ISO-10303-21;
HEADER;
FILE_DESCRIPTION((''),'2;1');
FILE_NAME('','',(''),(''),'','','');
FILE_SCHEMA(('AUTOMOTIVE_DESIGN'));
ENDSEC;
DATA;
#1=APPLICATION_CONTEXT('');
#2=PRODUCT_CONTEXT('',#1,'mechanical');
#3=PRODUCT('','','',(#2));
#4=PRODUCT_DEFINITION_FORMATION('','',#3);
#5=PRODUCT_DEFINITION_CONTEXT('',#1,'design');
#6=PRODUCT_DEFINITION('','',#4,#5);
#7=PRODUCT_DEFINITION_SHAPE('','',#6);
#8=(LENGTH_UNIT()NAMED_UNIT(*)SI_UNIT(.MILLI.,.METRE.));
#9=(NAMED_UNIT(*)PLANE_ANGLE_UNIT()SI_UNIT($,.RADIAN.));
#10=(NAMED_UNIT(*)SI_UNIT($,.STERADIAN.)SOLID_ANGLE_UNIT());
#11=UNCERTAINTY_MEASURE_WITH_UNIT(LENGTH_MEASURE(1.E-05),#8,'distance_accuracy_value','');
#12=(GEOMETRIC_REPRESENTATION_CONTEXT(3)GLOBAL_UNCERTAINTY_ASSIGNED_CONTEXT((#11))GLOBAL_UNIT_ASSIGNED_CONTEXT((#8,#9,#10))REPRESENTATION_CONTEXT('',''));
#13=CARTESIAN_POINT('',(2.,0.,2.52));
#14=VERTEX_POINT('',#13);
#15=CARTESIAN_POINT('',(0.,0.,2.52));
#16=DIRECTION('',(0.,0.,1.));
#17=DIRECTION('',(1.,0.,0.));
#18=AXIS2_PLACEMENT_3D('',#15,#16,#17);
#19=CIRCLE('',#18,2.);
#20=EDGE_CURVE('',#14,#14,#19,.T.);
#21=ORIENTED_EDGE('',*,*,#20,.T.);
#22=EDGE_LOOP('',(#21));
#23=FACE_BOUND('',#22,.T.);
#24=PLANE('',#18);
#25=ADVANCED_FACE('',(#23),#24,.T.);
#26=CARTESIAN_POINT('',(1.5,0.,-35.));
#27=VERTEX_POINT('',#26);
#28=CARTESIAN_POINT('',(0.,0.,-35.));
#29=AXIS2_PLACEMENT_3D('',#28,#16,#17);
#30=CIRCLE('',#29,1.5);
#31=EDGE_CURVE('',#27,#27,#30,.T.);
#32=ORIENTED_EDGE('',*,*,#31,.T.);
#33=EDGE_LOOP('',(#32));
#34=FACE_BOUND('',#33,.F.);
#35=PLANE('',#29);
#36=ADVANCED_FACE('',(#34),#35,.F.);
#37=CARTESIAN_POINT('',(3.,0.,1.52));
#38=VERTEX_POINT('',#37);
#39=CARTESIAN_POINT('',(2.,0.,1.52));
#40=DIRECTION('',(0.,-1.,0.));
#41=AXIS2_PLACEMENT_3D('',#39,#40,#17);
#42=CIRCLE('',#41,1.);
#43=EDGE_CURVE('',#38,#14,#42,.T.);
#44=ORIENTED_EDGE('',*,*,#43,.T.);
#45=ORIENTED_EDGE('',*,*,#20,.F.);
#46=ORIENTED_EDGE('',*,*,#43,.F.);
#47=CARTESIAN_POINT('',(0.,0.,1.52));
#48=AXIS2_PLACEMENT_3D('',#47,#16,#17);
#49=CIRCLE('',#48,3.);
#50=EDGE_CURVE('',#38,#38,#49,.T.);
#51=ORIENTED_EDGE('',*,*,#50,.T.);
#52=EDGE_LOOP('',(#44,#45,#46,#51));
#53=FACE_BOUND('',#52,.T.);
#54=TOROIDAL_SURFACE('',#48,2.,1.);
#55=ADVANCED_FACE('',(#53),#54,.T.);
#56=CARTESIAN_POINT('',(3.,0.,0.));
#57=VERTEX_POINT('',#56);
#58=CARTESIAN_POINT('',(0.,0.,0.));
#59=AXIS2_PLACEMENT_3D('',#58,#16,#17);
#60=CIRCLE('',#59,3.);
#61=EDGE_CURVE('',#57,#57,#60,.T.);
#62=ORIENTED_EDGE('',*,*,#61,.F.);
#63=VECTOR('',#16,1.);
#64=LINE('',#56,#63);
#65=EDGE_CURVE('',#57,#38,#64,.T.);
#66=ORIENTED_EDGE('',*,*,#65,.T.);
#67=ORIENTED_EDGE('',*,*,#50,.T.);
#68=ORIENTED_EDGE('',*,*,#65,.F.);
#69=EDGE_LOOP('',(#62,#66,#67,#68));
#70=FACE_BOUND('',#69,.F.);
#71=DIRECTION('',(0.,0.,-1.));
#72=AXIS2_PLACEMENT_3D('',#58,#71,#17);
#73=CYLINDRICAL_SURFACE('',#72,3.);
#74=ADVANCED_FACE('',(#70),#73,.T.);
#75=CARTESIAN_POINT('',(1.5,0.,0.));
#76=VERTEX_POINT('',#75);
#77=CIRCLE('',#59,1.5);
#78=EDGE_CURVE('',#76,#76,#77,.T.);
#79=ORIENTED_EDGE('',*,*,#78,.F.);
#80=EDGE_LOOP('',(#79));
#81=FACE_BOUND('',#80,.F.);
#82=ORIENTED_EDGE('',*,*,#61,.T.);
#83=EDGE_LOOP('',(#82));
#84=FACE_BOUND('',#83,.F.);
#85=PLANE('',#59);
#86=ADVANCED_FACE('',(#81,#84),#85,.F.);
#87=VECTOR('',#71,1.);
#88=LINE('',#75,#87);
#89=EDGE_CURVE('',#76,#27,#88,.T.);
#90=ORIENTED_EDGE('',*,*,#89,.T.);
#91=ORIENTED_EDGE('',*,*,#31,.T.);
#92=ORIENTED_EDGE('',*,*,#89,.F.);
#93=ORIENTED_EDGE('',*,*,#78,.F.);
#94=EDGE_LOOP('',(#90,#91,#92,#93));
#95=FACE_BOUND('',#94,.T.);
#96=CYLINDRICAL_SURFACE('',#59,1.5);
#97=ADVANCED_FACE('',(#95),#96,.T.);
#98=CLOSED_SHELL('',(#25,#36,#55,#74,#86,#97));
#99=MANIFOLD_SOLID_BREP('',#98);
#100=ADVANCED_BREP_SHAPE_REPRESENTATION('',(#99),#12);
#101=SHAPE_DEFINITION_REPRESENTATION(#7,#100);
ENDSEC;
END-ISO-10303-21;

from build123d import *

# Parameters (mm, degrees)
F0_R     = 1.5
F2_DEPTH = 35
F1_R     = 3
F3_DEPTH = 2.52
F4_R     = 1


with BuildPart() as f2:
    # F0 (on Top) → F2 (new body)
    with BuildSketch(Plane.XY):
        Circle(F0_R)
    extrude(amount=-F2_DEPTH)

    # F1 (on Top) → F3 (join)
    with BuildSketch(Plane.XY):
        Circle(F1_R)
    extrude(amount=F3_DEPTH)

    # F4
    f4_edges = [f2.edges().sort_by_distance(p)[0] for p in [
        (-3, 0, 2.52),
    ]]
    fillet(f4_edges, radius=F4_R)


solid = f2.part
